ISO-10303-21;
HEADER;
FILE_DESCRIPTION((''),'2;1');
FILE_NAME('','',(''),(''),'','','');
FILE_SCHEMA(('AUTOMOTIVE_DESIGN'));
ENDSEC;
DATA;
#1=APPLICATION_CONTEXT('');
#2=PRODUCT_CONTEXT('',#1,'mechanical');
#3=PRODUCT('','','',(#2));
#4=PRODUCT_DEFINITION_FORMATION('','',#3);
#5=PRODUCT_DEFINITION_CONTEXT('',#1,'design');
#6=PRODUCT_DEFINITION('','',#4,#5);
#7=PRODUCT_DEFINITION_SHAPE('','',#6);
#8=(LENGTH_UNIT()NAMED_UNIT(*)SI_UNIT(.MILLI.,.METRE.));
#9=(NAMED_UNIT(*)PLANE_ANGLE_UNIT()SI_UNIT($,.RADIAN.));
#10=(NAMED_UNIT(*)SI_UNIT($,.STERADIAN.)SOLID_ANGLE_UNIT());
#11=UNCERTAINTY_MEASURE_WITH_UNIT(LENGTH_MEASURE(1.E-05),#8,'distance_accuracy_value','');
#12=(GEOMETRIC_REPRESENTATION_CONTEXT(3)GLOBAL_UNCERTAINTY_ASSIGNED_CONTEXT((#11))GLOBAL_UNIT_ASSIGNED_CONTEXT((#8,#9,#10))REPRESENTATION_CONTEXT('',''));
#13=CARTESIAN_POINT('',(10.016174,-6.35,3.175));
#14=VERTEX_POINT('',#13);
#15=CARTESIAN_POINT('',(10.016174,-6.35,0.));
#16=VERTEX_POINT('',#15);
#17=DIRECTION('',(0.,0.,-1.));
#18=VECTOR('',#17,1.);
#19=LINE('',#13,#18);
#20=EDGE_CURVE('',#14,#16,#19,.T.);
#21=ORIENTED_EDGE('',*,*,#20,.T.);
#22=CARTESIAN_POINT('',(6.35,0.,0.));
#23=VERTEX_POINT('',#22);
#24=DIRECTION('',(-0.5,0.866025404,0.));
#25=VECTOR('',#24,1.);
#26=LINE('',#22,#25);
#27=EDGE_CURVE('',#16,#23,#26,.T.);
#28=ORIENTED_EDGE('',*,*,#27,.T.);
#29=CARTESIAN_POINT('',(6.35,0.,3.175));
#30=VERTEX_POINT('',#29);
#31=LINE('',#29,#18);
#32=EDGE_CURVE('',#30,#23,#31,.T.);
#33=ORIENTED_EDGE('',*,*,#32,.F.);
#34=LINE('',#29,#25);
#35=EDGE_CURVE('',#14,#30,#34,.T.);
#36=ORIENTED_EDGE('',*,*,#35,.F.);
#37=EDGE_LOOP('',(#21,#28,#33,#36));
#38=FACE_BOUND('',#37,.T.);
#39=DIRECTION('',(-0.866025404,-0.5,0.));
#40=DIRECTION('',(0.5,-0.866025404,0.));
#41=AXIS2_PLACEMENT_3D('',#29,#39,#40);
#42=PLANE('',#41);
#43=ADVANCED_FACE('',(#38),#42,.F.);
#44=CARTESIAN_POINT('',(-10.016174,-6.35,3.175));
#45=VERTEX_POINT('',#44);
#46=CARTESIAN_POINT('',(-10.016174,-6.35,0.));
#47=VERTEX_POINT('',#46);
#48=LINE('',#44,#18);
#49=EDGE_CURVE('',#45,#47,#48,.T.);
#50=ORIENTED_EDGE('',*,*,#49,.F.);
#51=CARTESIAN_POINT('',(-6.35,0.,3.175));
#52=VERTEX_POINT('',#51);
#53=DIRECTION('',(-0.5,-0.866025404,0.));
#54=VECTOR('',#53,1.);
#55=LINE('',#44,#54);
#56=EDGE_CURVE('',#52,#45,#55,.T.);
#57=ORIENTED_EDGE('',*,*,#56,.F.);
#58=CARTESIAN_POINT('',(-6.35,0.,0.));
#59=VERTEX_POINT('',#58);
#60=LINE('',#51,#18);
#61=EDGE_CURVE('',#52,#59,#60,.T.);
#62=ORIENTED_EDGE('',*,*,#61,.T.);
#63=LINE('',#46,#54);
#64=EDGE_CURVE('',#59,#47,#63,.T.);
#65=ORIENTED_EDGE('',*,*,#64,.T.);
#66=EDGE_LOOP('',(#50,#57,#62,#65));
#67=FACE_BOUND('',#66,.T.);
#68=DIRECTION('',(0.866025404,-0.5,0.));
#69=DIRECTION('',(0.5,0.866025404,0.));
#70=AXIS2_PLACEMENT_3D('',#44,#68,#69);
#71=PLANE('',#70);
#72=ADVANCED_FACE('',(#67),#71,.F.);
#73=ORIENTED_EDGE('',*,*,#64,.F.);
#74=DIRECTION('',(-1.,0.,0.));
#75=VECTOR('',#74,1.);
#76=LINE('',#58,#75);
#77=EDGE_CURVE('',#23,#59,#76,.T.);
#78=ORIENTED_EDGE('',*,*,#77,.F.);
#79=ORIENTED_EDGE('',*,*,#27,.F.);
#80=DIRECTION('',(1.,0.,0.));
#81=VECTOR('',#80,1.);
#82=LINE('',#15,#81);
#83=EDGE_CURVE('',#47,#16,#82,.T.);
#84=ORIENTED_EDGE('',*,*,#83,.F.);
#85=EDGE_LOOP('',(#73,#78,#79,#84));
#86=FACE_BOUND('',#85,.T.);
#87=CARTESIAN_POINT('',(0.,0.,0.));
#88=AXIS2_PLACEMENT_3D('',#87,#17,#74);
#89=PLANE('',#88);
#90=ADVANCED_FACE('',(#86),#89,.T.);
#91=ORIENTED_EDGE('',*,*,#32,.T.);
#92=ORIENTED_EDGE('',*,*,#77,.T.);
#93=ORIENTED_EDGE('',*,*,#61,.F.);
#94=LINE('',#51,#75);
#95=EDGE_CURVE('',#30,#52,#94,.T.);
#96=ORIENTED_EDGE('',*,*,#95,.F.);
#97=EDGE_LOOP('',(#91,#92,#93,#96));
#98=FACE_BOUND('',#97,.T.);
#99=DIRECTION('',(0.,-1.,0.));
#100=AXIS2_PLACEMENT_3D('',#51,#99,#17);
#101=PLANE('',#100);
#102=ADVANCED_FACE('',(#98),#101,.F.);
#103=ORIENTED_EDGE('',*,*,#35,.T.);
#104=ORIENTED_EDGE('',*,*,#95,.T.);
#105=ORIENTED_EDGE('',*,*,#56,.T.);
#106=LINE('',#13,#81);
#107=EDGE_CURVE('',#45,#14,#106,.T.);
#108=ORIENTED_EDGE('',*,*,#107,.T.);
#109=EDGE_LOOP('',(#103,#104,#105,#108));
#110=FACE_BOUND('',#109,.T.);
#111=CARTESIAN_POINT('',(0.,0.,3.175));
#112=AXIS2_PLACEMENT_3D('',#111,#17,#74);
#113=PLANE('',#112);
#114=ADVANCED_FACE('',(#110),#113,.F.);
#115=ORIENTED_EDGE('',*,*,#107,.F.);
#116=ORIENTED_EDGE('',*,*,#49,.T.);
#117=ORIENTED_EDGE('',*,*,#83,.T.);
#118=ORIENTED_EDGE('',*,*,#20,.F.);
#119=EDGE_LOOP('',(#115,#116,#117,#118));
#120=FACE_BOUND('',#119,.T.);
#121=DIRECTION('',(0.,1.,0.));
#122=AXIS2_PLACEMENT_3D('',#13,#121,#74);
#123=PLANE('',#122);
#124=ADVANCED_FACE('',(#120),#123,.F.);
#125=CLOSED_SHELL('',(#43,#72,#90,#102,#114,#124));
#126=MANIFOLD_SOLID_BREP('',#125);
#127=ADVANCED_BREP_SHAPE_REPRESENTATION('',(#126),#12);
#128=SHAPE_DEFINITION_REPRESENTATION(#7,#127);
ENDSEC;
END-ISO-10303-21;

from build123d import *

# Parameters (mm, degrees)
BOSS_EXTRUDE1_DEPTH = 3.175


with BuildPart() as part:
    # Sketch1 → Boss-Extrude1 (new body)
    with BuildSketch(Plane.XY):
        Polygon((-6.35, 0), (6.35, 0), (10.016174209, -6.35), (-10.016174209, -6.35), align=None)
    extrude(amount=BOSS_EXTRUDE1_DEPTH)


solid = part.part
